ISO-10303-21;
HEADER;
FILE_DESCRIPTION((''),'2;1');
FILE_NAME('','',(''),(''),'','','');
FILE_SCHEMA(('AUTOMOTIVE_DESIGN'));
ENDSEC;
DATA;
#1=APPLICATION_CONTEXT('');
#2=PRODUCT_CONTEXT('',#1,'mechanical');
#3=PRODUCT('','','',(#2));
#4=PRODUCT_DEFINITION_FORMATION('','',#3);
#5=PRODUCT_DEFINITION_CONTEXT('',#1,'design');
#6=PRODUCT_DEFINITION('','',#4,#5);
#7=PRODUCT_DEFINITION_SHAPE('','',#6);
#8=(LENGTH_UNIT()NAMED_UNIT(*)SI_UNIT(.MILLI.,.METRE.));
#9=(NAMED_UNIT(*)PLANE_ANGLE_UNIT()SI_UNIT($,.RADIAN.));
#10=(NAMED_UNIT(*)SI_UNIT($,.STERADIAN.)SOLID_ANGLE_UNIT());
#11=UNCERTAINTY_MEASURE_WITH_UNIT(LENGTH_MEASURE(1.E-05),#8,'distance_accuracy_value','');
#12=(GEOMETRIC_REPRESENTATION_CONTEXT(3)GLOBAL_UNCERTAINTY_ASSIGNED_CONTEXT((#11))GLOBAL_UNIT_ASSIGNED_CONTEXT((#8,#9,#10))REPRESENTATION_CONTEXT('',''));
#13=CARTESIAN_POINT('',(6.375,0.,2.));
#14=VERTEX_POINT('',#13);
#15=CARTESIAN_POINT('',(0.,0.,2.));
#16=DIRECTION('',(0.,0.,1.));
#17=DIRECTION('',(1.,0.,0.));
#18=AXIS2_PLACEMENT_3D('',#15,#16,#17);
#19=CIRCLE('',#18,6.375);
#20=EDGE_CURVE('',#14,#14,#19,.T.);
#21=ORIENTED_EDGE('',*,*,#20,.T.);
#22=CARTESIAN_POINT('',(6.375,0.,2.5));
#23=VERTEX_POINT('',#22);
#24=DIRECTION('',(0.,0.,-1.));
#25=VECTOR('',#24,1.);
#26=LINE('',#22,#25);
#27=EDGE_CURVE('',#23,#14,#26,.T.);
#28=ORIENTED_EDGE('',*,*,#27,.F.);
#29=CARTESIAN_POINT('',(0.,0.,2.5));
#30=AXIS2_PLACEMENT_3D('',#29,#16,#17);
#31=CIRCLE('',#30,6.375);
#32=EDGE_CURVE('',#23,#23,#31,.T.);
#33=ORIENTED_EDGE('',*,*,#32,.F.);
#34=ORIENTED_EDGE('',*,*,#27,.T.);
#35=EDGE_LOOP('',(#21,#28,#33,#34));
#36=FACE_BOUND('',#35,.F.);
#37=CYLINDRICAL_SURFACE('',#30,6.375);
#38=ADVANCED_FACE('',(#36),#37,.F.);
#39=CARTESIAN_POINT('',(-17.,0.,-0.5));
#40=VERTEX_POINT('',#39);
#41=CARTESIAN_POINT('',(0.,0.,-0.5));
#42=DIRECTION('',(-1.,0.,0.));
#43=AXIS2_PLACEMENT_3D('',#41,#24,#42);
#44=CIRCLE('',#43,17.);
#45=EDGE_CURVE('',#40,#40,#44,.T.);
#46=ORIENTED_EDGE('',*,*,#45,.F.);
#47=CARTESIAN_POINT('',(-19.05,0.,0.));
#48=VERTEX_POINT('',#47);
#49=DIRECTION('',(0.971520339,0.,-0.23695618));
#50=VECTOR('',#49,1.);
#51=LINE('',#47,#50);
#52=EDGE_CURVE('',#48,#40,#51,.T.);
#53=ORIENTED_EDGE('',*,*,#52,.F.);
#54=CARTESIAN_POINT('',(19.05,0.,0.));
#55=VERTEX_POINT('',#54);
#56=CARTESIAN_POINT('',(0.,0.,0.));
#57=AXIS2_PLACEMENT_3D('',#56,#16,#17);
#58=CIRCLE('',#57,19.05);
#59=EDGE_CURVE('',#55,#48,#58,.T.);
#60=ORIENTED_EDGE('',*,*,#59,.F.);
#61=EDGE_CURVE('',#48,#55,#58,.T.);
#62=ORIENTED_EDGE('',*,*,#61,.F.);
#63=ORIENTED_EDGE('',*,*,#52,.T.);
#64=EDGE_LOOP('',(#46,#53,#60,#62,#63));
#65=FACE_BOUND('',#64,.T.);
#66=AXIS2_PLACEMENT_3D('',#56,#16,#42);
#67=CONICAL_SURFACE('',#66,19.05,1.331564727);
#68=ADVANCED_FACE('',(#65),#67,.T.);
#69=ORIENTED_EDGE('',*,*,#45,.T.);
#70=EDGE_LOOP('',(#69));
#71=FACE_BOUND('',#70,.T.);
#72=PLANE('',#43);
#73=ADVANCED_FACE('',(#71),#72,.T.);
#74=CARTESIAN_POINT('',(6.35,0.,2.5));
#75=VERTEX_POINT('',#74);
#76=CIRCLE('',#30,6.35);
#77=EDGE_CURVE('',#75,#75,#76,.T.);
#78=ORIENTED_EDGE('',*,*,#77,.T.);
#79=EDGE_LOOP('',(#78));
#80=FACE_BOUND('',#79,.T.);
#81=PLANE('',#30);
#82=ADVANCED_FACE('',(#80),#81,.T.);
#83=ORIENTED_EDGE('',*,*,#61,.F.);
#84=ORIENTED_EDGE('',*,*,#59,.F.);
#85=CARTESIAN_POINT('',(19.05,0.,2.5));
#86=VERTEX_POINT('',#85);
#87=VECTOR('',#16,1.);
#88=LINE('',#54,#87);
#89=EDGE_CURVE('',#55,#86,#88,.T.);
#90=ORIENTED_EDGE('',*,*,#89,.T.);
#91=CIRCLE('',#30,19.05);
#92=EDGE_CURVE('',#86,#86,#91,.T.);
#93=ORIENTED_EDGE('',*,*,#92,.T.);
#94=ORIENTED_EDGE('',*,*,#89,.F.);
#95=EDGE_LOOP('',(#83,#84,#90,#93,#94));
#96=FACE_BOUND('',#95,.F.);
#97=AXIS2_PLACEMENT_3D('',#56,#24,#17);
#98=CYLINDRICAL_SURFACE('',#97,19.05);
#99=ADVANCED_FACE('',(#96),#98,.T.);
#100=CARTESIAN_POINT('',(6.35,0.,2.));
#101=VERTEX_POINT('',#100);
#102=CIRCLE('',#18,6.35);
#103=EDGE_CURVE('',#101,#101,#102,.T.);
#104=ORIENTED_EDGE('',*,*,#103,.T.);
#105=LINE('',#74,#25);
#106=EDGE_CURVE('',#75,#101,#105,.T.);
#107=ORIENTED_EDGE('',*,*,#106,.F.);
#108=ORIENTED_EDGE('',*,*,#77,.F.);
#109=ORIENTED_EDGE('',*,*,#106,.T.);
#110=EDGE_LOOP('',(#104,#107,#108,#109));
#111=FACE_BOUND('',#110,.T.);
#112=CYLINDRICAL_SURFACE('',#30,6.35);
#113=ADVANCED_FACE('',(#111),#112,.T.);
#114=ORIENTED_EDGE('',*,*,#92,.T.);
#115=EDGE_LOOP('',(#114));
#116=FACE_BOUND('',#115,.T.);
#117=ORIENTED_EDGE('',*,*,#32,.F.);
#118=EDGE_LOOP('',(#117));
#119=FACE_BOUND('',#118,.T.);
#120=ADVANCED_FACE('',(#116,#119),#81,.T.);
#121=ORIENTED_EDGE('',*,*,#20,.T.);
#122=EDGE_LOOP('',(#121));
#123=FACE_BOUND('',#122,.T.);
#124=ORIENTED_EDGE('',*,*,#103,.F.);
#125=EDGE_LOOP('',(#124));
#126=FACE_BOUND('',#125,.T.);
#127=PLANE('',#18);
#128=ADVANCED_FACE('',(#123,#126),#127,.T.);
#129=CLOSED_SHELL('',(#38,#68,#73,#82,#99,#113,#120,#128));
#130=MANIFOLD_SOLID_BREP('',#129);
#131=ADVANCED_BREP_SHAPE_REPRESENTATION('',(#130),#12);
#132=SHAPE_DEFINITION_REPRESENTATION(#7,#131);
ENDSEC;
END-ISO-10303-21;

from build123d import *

# Parameters (mm, degrees)
F0_R     = 19.05
F1_DEPTH = 2.5
F2_R     = 6.375
F2_R_2   = 6.35
F3_DEPTH = 0.5


with BuildPart() as f1:
    # F0 (on Top) → F1 (new body)
    with BuildSketch(Plane.XY):
        Circle(F0_R)
    extrude(amount=F1_DEPTH)

    # F2 (on face) → F3 (cut)
    with BuildSketch(Plane.XY.offset(2.5)):
        Circle(F2_R)
        Circle(F2_R_2, mode=Mode.SUBTRACT)
    extrude(amount=-F3_DEPTH, mode=Mode.SUBTRACT)

    # F4 (on Front) → F5 (revolve)
    with BuildSketch(Plane.XZ):
        Polygon((0, -0.5), (0, 0), (-19.05, 0), (-17, -0.5), align=None)
    revolve(axis=Axis((0, 0, -0.25), (0, 0, -1)))


solid = f1.part
